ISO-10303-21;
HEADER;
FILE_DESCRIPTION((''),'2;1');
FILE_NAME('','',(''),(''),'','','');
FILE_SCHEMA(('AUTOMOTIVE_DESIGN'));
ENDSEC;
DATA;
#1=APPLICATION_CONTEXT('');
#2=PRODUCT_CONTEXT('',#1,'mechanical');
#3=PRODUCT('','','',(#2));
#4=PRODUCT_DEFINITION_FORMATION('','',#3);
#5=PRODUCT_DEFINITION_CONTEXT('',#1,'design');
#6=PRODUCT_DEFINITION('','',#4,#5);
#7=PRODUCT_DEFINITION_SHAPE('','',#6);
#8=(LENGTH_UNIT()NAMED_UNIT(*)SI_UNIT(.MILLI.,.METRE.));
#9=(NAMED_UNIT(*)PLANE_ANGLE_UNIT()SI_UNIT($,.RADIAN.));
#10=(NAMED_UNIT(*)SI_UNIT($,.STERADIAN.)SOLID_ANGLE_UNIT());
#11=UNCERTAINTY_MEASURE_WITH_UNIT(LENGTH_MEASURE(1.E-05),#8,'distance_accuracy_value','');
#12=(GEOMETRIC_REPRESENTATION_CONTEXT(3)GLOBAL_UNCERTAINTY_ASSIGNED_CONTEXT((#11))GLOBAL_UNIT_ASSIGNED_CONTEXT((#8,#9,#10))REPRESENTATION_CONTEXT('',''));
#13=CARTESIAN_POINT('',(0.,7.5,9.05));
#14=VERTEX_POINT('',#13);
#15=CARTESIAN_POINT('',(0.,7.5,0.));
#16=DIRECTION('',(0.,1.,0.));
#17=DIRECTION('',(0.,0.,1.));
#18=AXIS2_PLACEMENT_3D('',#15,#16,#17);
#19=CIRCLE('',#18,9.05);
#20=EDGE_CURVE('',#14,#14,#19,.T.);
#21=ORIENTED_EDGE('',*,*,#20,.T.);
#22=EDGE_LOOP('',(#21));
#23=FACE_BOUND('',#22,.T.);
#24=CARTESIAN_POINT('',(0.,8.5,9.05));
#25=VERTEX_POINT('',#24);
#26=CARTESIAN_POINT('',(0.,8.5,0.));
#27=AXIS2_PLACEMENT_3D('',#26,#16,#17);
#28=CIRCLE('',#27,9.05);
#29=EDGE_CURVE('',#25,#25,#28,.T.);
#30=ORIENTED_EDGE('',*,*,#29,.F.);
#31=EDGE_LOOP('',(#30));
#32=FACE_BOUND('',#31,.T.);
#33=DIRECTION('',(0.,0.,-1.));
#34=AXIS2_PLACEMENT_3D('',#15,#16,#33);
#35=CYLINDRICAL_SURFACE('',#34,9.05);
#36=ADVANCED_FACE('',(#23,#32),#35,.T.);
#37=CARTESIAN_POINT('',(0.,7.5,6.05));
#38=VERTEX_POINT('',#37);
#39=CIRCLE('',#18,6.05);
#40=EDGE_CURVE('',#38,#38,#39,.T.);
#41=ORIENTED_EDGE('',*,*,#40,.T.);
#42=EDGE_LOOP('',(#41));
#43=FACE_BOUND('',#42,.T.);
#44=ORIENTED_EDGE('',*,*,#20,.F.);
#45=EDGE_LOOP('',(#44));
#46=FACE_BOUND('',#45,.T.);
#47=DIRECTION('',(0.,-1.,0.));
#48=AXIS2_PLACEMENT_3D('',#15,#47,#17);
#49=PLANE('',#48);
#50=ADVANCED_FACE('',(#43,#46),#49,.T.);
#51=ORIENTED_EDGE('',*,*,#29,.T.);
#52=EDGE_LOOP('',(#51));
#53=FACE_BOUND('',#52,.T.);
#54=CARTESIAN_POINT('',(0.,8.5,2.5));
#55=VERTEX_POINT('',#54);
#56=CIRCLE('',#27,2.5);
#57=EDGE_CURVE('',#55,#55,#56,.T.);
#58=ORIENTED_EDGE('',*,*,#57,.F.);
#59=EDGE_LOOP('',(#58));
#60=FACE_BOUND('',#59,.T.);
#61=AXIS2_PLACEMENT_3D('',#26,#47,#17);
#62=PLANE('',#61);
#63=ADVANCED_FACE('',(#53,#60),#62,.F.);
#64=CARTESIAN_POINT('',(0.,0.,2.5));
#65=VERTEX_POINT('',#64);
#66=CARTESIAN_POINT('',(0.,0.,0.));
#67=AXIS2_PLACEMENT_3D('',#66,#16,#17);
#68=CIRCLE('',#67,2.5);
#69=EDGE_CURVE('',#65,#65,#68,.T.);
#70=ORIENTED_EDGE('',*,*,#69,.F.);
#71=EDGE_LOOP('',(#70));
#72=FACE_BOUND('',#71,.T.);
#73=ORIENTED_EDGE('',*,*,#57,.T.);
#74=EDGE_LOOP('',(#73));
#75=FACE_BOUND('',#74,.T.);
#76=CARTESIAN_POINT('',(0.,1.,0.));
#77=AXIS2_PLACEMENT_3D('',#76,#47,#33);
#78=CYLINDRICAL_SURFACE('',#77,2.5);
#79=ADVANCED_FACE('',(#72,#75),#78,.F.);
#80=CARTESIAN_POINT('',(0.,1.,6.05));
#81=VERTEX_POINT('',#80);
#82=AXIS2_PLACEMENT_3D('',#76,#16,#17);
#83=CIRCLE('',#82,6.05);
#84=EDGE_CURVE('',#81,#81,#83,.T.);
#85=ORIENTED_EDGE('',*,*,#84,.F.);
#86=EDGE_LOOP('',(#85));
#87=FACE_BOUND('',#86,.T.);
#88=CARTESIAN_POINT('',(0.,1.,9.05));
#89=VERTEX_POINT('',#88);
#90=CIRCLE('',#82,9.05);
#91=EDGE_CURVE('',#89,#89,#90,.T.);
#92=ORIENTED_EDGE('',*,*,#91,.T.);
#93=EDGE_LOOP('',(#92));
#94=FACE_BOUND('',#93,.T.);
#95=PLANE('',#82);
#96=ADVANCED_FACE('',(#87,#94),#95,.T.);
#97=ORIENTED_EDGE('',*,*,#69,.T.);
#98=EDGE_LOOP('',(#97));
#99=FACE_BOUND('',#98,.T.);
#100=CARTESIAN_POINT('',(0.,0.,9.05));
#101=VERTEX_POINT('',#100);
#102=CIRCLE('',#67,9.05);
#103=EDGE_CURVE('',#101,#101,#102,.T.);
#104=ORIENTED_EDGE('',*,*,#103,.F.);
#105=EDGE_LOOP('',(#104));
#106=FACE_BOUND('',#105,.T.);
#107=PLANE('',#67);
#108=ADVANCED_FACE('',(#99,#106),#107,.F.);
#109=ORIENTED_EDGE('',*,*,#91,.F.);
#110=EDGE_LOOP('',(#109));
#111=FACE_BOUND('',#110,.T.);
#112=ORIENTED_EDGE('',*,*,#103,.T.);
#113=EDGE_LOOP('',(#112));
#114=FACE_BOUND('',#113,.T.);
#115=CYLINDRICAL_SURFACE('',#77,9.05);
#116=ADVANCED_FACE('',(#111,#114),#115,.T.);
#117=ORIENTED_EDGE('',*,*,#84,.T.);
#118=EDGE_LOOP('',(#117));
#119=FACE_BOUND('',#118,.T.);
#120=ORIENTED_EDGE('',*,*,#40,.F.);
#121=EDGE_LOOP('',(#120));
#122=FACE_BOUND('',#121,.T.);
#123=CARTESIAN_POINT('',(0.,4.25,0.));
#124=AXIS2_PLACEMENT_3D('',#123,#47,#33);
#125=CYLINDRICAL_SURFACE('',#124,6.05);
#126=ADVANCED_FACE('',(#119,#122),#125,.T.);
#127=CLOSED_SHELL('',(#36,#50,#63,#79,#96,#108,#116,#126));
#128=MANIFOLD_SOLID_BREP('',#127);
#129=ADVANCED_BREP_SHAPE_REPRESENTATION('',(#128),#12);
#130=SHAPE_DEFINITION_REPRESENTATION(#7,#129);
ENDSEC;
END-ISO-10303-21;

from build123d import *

# Parameters (mm, degrees)
SKETCH1_R           = 9.05
SKETCH1_R_2         = 6.05
SKETCH1_R_3         = 2.5
BOSS_EXTRUDE1_DEPTH = 1
BOSS_EXTRUDE2_START = 1
SKETCH1_3_R         = 6.05
SKETCH1_3_R_2       = 2.5
BOSS_EXTRUDE2_DEPTH = 3.25


with BuildPart() as part:
    # Sketch1 → Boss-Extrude1 (new body)
    with BuildSketch(Plane(origin=(0, 0, 0), x_dir=(1, 0, 0), z_dir=(0, 1, 0))):
        Circle(SKETCH1_R)
        Circle(SKETCH1_R_2, mode=Mode.SUBTRACT)
        Circle(SKETCH1_R_2)
        Circle(SKETCH1_R_3, mode=Mode.SUBTRACT)
    extrude(amount=BOSS_EXTRUDE1_DEPTH)

    # Sketch1<3> → Boss-Extrude2 (add)
    with BuildSketch(Plane(origin=(0, 0, 0), x_dir=(1, 0, 0), z_dir=(0, 1, 0)).offset(BOSS_EXTRUDE2_START)):
        Circle(SKETCH1_3_R)
        Circle(SKETCH1_3_R_2, mode=Mode.SUBTRACT)
    extrude(amount=BOSS_EXTRUDE2_DEPTH)

    # Mirror2: part across plane


with BuildPart() as part_1:
    add(part.part)
    add(part.part.mirror(Plane.ZX.offset(4.25)))


solid = part_1.part
